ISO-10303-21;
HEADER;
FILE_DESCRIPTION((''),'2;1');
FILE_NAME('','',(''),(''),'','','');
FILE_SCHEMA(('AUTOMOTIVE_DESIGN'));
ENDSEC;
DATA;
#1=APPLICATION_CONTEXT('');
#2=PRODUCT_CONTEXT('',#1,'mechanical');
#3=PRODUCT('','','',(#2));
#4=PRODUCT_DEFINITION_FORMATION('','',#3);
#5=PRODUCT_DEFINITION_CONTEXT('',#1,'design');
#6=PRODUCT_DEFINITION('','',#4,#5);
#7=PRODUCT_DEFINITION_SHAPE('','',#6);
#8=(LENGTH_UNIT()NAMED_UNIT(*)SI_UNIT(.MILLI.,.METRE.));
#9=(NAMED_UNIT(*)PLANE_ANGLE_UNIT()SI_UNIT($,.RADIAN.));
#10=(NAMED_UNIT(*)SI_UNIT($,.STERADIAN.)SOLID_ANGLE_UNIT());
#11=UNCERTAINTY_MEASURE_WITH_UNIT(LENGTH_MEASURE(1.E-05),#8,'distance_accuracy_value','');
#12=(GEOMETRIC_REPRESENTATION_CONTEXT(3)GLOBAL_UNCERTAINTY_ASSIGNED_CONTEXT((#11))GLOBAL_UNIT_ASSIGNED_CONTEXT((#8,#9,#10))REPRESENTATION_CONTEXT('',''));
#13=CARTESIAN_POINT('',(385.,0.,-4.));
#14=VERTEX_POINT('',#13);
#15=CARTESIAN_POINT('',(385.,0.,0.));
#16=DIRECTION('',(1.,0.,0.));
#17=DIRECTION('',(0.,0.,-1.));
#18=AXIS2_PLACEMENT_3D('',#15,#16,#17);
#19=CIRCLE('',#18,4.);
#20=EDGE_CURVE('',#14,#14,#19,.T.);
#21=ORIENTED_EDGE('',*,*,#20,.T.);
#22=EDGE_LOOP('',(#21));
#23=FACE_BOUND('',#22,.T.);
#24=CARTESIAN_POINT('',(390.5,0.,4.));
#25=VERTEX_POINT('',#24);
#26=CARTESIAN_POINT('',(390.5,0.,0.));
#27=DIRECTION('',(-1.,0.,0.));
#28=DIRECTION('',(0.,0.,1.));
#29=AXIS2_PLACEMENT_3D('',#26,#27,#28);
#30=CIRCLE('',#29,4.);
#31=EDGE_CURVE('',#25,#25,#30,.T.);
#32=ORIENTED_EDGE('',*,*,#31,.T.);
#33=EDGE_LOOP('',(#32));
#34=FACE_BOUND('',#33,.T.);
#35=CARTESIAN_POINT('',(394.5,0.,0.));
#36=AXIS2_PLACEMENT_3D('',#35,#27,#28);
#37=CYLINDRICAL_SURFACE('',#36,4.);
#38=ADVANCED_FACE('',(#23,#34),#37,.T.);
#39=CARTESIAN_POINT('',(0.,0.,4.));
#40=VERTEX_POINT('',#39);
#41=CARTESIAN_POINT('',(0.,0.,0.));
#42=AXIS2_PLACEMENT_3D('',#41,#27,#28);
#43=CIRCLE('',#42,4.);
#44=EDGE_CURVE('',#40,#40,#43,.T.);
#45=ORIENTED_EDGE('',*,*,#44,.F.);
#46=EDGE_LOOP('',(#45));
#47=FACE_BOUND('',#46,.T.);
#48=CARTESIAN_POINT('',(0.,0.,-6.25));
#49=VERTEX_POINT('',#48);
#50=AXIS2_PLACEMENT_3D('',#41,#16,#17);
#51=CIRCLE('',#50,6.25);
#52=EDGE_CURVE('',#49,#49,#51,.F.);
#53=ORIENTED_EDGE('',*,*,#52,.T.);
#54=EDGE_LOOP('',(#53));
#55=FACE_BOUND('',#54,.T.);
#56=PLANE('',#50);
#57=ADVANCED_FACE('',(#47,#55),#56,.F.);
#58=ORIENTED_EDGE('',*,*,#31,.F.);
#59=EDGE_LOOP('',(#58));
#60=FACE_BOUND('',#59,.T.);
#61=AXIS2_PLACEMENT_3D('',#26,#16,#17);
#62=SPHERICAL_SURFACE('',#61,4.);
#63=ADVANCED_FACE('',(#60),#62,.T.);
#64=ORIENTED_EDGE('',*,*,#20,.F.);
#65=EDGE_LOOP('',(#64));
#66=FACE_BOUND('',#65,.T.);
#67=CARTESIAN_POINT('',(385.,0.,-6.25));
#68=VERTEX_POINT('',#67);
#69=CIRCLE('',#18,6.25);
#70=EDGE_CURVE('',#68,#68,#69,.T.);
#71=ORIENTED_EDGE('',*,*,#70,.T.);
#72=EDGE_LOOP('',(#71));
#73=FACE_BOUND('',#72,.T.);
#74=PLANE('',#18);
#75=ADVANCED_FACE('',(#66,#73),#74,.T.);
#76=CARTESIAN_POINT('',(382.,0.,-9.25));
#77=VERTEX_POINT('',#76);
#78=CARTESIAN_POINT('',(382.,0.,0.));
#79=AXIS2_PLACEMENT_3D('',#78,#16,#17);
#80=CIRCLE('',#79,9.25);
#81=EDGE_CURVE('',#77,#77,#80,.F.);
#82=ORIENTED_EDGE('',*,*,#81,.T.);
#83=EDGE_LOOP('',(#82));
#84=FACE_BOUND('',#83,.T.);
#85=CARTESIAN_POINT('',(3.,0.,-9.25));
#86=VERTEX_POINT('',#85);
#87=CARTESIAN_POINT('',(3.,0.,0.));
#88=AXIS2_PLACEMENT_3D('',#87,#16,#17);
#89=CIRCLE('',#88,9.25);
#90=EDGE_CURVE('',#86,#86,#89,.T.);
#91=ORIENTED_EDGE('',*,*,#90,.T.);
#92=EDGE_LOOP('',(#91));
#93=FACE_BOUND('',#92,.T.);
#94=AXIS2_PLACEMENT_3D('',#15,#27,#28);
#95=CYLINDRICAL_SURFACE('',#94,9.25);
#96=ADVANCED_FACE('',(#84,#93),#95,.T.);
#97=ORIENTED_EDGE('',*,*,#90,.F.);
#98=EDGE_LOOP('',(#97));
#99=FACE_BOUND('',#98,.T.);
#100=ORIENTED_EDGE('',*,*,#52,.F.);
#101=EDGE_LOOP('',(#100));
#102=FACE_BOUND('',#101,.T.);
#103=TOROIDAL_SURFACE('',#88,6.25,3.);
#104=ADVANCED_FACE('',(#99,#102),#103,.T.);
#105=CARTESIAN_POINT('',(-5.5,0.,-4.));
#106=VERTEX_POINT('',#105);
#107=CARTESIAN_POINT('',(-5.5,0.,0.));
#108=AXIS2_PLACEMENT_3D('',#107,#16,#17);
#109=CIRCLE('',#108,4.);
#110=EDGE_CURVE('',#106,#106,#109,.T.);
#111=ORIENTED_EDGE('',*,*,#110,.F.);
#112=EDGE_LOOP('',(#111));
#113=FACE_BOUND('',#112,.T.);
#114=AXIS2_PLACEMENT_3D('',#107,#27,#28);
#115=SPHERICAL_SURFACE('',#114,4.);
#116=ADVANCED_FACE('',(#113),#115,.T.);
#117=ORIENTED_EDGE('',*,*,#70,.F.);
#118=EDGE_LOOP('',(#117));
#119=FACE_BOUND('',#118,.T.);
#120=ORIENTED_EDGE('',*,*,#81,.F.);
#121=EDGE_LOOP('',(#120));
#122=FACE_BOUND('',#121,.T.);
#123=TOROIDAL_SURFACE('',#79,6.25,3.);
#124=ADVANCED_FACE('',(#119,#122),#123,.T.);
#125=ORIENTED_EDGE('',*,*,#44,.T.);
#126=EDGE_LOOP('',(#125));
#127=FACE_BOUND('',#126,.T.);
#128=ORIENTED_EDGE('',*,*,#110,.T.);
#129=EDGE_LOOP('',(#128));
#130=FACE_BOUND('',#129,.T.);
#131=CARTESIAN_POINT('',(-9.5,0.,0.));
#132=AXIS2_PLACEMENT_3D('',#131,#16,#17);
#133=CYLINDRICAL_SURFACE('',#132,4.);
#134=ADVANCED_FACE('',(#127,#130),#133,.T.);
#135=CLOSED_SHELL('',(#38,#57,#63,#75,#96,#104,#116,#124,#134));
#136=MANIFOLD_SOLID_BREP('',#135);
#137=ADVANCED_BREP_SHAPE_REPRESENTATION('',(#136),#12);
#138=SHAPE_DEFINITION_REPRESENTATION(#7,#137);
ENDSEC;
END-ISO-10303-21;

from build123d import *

# Parameters (mm, degrees)
ESBO_O1_R                = 9.25
RESSALTO_EXTRUS_O1_DEPTH = 385
ESBO_O2_R                = 4
RESSALTO_EXTRUS_O2_DEPTH = 9.5
FILETE1_R                = 3
ESBO_O3_R                = 4
RESSALTO_EXTRUS_O3_DEPTH = 9.5
FILETE2_R                = 4


with BuildPart() as part:
    # Esboço1 → Ressalto-extrusão1 (new body)
    with BuildSketch(Plane(origin=(0, 0, 0), x_dir=(0, 0, -1), z_dir=(1, 0, 0))):
        Circle(ESBO_O1_R)
    extrude(amount=RESSALTO_EXTRUS_O1_DEPTH)

    # Esboço2 → Ressalto-extrusão2 (add)
    with BuildSketch(Plane.ZY):
        Circle(ESBO_O2_R)
    extrude(amount=RESSALTO_EXTRUS_O2_DEPTH)

    # Filete1
    filete1_edges = [part.edges().sort_by_distance(p)[0] for p in [
        (0, 0, 9.25),
        (385, 0, 9.25),
    ]]
    fillet(filete1_edges, radius=FILETE1_R)

    # Esboço3 → Ressalto-extrusão3 (add)
    with BuildSketch(Plane(origin=(385, 0, 0), x_dir=(0, 0, -1), z_dir=(1, 0, 0))):
        Circle(ESBO_O3_R)
    extrude(amount=RESSALTO_EXTRUS_O3_DEPTH)

    # Filete2
    filete2_edges = [part.edges().sort_by_distance(p)[0] for p in [
        (394.5, 0, 4),
        (-9.5, 0, -4),
    ]]
    fillet(filete2_edges, radius=FILETE2_R)


solid = part.part
